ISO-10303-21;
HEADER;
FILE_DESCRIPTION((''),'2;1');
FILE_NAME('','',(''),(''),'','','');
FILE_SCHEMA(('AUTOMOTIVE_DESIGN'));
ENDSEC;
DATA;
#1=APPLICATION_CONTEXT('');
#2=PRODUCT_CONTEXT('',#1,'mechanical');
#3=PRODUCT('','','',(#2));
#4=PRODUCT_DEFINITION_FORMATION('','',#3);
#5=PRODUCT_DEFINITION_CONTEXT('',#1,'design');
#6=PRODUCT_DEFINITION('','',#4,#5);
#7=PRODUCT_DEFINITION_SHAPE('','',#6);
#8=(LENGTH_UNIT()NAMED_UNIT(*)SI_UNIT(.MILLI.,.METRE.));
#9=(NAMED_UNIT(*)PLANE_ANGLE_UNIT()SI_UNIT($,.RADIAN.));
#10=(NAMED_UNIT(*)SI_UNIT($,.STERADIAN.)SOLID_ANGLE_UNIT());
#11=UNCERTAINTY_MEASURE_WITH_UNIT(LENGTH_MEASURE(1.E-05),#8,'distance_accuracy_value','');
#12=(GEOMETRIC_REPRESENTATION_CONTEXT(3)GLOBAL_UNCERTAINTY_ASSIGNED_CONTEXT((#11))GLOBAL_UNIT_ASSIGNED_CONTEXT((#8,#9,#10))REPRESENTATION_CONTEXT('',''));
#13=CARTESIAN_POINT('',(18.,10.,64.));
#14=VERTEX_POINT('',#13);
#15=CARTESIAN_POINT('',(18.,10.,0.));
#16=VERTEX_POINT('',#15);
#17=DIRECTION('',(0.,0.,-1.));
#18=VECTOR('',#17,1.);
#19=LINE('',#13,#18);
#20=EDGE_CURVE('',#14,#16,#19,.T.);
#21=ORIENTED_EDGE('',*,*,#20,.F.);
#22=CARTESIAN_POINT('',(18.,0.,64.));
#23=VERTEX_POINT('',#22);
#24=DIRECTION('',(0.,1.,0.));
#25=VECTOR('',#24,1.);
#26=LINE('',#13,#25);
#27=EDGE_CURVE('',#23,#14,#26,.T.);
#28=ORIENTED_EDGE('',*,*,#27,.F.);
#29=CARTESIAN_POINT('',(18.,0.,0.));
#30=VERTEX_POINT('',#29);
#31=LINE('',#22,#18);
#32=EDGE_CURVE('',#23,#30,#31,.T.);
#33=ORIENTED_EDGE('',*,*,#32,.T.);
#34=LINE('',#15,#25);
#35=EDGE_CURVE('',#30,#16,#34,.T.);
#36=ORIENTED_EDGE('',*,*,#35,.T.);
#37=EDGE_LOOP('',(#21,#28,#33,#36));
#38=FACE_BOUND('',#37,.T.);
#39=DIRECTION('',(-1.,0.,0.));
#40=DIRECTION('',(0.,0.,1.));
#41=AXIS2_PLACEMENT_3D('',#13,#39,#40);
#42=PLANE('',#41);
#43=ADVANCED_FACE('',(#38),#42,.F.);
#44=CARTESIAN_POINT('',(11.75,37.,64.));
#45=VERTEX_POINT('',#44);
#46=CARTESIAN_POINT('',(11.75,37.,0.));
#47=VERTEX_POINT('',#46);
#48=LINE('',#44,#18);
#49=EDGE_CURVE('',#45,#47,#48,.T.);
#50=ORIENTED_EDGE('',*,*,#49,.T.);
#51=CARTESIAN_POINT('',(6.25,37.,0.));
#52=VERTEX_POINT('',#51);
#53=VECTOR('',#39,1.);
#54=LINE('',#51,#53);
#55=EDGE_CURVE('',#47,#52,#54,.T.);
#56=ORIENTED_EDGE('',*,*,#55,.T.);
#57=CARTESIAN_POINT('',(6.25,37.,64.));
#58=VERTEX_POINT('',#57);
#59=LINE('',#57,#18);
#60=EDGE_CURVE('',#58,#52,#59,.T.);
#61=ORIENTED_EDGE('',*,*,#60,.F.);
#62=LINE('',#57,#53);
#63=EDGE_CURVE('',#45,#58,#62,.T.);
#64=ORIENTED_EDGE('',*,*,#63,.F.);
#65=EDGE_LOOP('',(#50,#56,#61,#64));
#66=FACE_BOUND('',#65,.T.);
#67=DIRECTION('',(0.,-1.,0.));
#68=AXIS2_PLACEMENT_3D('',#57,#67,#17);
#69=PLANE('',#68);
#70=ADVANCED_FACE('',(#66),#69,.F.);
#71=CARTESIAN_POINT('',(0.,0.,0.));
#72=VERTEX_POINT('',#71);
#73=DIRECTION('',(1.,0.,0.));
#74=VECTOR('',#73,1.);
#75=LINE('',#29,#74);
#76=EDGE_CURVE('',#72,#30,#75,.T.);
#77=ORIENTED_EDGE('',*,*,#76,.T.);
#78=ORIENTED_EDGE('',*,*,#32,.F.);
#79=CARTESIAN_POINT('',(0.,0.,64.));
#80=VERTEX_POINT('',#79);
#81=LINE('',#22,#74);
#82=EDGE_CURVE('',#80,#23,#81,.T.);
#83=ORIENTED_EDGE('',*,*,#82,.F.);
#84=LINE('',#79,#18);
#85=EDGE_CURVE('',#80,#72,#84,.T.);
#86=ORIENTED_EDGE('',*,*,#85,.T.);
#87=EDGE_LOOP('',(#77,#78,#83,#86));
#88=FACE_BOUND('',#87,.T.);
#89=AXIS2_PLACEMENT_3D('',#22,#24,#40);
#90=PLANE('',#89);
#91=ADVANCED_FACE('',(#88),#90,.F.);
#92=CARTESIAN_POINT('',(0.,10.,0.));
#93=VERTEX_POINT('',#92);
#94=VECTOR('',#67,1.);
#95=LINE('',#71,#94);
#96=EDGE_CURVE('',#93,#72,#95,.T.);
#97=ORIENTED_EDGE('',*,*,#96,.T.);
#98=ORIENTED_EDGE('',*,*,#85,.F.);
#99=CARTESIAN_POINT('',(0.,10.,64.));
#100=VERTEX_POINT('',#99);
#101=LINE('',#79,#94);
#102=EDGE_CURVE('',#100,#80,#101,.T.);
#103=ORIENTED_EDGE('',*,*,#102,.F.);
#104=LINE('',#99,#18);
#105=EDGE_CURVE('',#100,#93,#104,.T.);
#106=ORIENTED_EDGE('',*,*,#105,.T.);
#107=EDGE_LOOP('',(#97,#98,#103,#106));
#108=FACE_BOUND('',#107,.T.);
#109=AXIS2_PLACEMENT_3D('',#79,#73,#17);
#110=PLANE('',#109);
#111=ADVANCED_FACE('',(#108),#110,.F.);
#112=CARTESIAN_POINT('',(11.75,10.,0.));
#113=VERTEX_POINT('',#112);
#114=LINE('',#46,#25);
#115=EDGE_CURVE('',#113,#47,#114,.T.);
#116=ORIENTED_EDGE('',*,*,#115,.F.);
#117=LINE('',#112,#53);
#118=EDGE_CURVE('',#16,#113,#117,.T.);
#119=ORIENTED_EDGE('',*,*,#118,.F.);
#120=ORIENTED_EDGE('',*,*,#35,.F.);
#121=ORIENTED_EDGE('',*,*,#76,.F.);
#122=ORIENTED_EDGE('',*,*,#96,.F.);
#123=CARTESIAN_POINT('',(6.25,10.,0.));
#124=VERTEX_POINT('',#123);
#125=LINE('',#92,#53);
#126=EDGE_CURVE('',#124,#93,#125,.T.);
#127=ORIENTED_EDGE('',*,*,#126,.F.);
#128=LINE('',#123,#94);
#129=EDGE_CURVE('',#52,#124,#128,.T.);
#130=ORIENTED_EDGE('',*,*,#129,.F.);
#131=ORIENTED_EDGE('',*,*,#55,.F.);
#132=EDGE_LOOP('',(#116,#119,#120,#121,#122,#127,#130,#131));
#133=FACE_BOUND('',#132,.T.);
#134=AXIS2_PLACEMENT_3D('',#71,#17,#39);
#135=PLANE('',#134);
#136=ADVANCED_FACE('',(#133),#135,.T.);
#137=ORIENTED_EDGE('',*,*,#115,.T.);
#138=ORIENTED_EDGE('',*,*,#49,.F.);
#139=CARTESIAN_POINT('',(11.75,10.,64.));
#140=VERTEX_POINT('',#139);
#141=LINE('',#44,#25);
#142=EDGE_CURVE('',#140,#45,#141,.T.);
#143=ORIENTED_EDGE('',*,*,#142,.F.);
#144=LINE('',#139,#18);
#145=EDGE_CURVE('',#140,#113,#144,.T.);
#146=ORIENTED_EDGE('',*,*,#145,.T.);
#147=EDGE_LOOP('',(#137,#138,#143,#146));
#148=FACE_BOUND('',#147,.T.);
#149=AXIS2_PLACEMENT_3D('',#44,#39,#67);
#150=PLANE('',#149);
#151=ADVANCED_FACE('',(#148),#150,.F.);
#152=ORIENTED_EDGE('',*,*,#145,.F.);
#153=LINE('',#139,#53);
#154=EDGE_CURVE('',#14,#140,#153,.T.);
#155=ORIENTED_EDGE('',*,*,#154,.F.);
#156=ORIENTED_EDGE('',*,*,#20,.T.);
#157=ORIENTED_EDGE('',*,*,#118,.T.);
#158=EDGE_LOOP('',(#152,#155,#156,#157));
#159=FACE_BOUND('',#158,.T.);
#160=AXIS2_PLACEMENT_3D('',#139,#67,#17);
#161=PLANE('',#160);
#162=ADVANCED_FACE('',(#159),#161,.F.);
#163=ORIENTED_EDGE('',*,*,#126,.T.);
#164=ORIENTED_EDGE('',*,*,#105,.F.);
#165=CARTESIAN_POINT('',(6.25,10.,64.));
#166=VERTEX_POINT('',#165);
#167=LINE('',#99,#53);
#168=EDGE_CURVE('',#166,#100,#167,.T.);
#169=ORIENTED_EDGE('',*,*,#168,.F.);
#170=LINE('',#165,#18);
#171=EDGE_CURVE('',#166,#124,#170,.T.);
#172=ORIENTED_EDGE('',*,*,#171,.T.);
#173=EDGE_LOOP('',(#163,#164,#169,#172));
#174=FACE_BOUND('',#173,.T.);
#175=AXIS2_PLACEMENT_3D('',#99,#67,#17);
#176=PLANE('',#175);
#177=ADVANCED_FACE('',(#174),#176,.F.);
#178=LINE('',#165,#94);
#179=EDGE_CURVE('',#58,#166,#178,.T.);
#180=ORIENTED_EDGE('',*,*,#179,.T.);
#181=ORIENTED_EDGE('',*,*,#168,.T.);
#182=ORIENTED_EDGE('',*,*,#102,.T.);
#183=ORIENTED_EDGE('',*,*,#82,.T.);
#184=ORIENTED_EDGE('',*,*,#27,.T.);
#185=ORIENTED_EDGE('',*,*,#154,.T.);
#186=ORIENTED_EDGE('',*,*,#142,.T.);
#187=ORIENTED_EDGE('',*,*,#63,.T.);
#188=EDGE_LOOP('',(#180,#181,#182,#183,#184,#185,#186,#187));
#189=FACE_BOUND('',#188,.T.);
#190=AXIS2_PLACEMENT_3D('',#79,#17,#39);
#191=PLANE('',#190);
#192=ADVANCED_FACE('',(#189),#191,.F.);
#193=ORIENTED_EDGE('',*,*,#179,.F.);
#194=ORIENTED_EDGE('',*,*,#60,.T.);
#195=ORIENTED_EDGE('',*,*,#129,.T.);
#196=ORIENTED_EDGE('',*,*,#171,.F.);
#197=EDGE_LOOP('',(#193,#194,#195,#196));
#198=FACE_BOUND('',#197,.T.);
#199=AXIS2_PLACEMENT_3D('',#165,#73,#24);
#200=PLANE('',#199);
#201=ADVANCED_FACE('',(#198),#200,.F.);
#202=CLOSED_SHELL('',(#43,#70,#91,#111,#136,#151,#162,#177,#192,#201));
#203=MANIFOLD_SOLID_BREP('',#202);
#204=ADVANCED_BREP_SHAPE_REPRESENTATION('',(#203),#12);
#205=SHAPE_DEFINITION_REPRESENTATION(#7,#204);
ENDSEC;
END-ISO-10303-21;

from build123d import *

# Parameters (mm, degrees)
BOSS_EXTRUDE2_DEPTH = 64


with BuildPart() as part:
    # Sketch2 → Boss-Extrude2 (new body)
    with BuildSketch(Plane.XY):
        Polygon((0, 0), (0, 10), (6.25, 10), (6.25, 37), (11.75, 37), (11.75, 10), (18, 10), (18, 0), align=None)
    extrude(amount=BOSS_EXTRUDE2_DEPTH)


solid = part.part
